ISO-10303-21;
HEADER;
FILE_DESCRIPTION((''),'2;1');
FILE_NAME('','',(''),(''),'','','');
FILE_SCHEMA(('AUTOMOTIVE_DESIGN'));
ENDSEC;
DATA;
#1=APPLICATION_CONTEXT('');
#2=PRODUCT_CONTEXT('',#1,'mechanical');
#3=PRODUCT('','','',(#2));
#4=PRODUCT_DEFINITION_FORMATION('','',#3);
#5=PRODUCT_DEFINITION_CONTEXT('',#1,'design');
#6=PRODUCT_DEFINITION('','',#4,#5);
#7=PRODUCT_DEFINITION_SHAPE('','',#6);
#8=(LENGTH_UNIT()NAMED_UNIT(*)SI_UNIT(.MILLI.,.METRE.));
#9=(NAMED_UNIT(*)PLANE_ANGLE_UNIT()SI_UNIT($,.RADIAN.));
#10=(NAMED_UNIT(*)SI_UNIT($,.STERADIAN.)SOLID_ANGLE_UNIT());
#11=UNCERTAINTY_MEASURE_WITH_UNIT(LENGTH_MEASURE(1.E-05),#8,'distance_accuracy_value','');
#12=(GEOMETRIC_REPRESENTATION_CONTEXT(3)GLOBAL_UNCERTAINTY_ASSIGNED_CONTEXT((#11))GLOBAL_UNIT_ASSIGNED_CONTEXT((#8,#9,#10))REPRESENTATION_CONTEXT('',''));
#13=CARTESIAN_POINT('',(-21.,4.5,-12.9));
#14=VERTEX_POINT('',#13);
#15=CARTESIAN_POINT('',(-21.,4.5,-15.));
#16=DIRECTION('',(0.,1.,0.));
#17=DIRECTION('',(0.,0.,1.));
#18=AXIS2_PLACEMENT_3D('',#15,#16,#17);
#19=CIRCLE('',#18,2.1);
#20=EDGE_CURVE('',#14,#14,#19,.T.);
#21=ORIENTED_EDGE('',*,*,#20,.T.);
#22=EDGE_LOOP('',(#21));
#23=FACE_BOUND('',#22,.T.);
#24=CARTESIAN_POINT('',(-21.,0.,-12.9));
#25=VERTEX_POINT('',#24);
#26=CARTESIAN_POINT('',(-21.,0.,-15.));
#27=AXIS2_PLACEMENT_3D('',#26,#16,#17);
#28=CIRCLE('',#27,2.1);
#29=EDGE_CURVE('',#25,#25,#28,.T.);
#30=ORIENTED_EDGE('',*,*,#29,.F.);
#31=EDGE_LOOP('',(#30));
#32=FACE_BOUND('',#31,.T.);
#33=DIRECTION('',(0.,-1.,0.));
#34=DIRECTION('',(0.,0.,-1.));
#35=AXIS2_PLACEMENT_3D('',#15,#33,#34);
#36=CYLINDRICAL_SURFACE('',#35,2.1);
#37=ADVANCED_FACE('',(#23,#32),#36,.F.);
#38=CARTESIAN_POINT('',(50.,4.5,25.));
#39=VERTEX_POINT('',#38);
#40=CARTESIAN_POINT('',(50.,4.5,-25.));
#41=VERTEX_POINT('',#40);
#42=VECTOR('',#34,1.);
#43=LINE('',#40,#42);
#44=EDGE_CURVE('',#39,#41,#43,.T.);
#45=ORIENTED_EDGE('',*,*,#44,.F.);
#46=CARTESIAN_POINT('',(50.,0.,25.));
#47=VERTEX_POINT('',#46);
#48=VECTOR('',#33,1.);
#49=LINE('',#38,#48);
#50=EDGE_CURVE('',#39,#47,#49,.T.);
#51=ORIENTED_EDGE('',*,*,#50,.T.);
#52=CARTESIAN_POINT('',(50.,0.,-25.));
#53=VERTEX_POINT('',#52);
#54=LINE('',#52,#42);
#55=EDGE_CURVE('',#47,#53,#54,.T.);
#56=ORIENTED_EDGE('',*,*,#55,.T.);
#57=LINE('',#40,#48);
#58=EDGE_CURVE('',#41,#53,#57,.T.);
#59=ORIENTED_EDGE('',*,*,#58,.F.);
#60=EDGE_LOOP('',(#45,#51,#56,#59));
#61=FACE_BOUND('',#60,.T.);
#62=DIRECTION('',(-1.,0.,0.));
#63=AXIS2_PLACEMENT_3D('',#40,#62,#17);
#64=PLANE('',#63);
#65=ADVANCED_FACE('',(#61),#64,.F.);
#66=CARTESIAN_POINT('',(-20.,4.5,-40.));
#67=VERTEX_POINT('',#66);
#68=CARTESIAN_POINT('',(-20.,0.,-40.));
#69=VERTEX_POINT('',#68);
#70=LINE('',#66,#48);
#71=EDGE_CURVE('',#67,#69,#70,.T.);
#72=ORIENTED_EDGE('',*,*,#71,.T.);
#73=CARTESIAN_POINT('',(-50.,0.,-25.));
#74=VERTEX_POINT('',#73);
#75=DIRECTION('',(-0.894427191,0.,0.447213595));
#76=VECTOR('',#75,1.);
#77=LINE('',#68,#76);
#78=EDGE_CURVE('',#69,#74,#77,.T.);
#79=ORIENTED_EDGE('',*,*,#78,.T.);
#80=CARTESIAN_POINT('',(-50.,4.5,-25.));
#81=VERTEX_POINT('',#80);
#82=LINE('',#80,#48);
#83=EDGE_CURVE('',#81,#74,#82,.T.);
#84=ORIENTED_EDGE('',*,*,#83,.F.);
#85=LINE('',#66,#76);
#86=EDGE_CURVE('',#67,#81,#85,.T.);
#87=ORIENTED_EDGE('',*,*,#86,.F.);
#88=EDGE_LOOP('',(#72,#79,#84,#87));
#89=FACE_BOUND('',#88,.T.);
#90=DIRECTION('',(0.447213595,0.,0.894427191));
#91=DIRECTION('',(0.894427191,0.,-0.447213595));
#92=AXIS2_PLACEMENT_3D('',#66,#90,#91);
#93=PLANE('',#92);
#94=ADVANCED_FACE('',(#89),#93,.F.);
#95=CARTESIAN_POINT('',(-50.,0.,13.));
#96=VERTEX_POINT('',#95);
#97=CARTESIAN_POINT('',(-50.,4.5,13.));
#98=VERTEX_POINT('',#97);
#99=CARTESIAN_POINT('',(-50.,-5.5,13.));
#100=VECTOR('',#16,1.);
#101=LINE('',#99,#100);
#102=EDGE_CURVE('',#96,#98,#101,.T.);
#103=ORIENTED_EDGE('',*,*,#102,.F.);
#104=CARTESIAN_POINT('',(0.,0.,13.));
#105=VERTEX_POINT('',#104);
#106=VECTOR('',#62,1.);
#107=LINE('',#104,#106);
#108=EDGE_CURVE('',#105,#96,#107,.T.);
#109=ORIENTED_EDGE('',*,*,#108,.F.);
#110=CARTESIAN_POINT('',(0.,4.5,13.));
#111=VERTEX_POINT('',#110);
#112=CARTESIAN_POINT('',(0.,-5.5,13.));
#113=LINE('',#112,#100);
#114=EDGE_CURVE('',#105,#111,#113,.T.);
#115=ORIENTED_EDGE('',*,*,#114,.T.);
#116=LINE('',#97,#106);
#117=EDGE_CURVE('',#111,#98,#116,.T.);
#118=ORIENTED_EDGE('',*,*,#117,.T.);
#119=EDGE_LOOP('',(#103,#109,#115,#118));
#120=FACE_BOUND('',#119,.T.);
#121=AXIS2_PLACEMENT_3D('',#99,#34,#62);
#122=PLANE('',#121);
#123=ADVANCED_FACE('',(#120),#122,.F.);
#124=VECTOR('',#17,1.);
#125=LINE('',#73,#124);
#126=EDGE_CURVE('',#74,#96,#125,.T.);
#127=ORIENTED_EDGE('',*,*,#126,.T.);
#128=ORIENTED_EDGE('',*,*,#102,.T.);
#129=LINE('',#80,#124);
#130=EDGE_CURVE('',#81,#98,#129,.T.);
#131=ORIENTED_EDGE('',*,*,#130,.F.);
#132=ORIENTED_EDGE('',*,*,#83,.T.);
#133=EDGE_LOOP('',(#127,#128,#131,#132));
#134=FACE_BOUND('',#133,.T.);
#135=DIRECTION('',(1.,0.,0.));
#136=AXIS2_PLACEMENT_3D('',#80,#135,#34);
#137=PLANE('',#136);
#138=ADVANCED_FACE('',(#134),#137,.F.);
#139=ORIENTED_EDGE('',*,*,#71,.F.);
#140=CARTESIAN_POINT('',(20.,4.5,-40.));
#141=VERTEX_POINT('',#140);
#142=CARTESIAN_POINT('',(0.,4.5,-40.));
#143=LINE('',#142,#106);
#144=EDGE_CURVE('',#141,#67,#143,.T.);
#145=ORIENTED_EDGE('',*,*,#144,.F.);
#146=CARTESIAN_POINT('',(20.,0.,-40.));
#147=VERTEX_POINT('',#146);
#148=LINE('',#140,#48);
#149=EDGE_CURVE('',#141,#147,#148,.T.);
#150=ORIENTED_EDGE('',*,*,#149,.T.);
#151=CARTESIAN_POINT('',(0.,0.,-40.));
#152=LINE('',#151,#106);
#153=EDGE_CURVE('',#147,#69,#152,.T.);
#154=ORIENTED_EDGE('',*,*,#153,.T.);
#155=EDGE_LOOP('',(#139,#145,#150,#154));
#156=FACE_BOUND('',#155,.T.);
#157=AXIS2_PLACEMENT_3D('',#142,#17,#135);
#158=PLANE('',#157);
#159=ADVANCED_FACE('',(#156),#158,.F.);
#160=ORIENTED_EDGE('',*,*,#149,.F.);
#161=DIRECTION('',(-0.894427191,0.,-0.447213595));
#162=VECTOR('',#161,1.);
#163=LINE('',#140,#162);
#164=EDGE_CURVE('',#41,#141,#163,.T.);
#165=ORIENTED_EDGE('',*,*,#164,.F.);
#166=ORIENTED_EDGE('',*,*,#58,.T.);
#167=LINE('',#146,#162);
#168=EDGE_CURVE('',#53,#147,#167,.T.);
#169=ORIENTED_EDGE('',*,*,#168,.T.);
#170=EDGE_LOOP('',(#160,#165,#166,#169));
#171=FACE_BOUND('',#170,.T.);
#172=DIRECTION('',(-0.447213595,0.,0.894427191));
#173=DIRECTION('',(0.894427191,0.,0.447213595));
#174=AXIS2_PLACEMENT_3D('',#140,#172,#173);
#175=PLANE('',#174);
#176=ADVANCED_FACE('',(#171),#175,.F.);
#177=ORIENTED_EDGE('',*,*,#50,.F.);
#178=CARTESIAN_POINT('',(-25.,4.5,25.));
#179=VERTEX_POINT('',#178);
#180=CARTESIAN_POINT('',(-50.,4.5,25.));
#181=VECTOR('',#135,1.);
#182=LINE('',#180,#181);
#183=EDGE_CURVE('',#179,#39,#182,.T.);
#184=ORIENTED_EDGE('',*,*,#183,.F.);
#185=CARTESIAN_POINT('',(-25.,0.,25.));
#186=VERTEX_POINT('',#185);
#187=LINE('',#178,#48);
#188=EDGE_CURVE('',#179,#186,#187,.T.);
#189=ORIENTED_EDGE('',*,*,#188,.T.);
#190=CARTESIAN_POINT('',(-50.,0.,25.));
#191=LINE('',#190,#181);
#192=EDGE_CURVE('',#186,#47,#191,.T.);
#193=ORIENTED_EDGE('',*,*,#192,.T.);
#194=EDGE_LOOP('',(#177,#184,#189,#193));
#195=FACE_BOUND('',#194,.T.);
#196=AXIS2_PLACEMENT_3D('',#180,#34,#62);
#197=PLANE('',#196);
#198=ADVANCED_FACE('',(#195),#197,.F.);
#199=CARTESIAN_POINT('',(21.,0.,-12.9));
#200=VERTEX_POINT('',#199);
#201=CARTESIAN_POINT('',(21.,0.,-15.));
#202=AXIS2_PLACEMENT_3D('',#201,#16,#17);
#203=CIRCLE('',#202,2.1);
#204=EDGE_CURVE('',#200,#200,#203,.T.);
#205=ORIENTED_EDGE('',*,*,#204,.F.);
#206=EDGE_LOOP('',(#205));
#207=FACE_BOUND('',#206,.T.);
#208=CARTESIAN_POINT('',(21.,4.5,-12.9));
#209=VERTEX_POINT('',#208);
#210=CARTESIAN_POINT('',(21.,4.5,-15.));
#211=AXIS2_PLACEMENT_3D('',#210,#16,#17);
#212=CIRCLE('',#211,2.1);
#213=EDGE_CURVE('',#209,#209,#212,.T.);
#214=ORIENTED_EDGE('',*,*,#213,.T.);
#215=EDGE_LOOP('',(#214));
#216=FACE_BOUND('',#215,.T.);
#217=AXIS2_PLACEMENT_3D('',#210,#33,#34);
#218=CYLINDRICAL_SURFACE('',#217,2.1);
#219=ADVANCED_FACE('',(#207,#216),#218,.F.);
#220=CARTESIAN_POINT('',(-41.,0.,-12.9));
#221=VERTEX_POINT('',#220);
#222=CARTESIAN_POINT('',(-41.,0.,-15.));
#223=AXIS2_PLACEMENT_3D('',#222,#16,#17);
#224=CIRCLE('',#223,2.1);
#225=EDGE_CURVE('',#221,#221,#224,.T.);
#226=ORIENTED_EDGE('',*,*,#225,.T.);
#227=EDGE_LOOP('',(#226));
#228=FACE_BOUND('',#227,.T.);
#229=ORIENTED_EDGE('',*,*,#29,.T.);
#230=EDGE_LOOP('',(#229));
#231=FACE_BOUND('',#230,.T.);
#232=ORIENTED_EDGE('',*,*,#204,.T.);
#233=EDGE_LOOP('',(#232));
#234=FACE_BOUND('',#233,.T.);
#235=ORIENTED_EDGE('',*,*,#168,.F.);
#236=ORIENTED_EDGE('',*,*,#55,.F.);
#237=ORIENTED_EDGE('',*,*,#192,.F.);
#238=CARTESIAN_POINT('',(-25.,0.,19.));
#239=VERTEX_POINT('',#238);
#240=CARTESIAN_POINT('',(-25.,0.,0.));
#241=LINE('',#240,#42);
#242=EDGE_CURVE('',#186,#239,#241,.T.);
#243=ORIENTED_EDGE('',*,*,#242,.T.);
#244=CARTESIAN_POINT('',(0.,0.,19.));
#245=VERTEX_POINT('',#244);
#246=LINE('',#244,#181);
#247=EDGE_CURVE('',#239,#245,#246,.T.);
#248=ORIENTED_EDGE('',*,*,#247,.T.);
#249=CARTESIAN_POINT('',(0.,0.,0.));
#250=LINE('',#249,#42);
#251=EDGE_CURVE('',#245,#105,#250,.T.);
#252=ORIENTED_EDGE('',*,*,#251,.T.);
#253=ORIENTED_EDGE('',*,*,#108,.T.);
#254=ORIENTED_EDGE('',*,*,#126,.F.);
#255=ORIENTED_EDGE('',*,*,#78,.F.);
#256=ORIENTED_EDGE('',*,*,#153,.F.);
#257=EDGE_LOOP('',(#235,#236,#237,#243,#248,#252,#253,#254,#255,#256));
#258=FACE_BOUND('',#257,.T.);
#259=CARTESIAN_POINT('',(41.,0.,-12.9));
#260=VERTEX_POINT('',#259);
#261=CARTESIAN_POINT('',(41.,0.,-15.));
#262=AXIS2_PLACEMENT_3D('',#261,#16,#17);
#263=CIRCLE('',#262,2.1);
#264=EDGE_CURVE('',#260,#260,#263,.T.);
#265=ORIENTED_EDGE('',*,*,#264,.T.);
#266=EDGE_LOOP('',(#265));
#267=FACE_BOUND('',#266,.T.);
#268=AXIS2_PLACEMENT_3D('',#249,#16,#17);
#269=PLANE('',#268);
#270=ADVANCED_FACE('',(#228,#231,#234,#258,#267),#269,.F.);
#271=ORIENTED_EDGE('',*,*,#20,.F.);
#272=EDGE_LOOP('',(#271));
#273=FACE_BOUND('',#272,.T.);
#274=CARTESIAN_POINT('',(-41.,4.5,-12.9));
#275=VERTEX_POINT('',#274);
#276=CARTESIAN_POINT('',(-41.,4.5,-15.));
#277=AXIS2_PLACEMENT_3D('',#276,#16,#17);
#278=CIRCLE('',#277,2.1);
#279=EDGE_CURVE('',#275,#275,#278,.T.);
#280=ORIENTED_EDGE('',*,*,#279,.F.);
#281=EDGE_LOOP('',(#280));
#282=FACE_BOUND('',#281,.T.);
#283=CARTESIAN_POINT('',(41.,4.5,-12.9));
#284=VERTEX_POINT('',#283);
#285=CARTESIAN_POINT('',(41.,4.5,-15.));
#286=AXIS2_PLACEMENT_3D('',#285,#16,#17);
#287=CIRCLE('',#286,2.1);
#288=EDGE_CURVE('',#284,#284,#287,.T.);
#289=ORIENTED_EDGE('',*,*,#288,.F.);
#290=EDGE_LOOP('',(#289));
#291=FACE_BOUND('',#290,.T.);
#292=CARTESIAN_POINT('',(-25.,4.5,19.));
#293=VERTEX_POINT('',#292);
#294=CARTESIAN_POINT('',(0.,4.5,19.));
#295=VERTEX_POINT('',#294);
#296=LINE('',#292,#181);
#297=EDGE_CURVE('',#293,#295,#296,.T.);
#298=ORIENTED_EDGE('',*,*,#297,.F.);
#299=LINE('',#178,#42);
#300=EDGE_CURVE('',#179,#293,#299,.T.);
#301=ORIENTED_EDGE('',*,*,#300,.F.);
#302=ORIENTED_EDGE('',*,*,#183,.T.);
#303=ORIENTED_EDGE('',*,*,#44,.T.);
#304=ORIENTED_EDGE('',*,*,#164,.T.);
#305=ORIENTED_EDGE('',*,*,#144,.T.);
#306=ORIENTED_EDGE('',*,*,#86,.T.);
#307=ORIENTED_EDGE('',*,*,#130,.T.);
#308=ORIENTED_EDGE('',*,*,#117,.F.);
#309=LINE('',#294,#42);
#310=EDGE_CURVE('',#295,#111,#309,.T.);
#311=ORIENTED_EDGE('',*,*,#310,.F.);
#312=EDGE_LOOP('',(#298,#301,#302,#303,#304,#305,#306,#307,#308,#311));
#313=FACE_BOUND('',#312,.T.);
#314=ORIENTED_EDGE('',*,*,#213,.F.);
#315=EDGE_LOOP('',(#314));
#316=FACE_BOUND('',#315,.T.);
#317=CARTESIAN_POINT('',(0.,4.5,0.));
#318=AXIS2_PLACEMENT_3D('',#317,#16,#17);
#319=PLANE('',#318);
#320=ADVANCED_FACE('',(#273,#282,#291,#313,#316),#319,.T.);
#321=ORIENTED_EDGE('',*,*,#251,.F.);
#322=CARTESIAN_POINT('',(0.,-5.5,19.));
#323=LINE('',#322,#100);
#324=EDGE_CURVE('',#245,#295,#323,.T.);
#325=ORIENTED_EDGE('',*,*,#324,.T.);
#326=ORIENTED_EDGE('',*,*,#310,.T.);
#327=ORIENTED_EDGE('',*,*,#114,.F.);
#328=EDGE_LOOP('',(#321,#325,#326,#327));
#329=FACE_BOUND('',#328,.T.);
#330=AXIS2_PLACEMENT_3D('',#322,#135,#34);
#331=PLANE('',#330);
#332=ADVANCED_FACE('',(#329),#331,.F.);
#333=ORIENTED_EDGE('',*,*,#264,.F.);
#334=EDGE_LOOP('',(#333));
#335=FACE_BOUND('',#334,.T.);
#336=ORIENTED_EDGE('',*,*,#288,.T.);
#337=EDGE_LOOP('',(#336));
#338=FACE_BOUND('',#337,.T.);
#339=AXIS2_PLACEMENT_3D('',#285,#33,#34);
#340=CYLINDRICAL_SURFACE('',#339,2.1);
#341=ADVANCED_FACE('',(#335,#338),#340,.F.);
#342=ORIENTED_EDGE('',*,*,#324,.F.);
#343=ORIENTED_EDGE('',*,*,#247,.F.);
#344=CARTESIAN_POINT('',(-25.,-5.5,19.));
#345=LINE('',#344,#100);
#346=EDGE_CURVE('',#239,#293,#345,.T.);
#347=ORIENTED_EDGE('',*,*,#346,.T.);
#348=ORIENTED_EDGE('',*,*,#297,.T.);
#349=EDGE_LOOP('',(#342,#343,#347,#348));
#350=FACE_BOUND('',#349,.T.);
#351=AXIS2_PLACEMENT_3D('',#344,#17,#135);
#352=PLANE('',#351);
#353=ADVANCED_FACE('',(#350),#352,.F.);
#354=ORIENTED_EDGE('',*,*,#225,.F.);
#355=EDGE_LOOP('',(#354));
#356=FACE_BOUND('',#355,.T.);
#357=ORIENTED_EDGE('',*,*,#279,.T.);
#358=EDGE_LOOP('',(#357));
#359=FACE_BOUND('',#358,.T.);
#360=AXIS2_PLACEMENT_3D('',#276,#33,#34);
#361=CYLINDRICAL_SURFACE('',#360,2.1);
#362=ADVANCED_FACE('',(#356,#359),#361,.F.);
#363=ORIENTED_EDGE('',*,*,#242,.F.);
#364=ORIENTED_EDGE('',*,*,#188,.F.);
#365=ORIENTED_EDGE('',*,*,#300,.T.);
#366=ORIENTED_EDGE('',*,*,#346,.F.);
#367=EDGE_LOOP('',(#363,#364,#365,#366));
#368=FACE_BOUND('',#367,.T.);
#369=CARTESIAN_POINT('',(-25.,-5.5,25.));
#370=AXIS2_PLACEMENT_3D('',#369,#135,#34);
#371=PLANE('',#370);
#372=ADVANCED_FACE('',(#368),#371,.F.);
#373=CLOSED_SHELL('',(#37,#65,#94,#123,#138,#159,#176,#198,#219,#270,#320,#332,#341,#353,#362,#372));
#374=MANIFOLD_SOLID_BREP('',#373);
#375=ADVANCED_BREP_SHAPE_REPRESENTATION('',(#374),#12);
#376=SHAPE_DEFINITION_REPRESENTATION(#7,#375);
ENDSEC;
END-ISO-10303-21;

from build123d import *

# Parameters (mm, degrees)
SKETCH1_R           = 2.1
BOSS_EXTRUDE1_DEPTH = 4.5
CUT_EXTRUDE1_DEPTH  = 10


with BuildPart() as part:
    # Sketch1 → Boss-Extrude1 (new body)
    with BuildSketch(Plane(origin=(0, 0, 0), x_dir=(1, 0, 0), z_dir=(0, 1, 0))):
        Polygon((20, 40), (50, 25), (50, -25), (-50, -25), (-50, 25), (-20, 40), (0, 40), align=None)
        with Locations((-41, 15)):
            Circle(SKETCH1_R, mode=Mode.SUBTRACT)
        with Locations((41, 15)):
            Circle(SKETCH1_R, mode=Mode.SUBTRACT)
        with Locations((-21, 15)):
            Circle(SKETCH1_R, mode=Mode.SUBTRACT)
        with Locations((21, 15)):
            Circle(SKETCH1_R, mode=Mode.SUBTRACT)
    extrude(amount=BOSS_EXTRUDE1_DEPTH)

    # Sketch2 → Cut-Extrude1 (cut)
    with BuildSketch(Plane(origin=(0, 4.5, 0), x_dir=(1, 0, 0), z_dir=(0, 1, 0))):
        Polygon((-50, -19), (-50, -25), (-25, -25), (-25, -19), (0, -19), (0, -13), (-50, -13), align=None)
    extrude(amount=-CUT_EXTRUDE1_DEPTH, mode=Mode.SUBTRACT)


solid = part.part
